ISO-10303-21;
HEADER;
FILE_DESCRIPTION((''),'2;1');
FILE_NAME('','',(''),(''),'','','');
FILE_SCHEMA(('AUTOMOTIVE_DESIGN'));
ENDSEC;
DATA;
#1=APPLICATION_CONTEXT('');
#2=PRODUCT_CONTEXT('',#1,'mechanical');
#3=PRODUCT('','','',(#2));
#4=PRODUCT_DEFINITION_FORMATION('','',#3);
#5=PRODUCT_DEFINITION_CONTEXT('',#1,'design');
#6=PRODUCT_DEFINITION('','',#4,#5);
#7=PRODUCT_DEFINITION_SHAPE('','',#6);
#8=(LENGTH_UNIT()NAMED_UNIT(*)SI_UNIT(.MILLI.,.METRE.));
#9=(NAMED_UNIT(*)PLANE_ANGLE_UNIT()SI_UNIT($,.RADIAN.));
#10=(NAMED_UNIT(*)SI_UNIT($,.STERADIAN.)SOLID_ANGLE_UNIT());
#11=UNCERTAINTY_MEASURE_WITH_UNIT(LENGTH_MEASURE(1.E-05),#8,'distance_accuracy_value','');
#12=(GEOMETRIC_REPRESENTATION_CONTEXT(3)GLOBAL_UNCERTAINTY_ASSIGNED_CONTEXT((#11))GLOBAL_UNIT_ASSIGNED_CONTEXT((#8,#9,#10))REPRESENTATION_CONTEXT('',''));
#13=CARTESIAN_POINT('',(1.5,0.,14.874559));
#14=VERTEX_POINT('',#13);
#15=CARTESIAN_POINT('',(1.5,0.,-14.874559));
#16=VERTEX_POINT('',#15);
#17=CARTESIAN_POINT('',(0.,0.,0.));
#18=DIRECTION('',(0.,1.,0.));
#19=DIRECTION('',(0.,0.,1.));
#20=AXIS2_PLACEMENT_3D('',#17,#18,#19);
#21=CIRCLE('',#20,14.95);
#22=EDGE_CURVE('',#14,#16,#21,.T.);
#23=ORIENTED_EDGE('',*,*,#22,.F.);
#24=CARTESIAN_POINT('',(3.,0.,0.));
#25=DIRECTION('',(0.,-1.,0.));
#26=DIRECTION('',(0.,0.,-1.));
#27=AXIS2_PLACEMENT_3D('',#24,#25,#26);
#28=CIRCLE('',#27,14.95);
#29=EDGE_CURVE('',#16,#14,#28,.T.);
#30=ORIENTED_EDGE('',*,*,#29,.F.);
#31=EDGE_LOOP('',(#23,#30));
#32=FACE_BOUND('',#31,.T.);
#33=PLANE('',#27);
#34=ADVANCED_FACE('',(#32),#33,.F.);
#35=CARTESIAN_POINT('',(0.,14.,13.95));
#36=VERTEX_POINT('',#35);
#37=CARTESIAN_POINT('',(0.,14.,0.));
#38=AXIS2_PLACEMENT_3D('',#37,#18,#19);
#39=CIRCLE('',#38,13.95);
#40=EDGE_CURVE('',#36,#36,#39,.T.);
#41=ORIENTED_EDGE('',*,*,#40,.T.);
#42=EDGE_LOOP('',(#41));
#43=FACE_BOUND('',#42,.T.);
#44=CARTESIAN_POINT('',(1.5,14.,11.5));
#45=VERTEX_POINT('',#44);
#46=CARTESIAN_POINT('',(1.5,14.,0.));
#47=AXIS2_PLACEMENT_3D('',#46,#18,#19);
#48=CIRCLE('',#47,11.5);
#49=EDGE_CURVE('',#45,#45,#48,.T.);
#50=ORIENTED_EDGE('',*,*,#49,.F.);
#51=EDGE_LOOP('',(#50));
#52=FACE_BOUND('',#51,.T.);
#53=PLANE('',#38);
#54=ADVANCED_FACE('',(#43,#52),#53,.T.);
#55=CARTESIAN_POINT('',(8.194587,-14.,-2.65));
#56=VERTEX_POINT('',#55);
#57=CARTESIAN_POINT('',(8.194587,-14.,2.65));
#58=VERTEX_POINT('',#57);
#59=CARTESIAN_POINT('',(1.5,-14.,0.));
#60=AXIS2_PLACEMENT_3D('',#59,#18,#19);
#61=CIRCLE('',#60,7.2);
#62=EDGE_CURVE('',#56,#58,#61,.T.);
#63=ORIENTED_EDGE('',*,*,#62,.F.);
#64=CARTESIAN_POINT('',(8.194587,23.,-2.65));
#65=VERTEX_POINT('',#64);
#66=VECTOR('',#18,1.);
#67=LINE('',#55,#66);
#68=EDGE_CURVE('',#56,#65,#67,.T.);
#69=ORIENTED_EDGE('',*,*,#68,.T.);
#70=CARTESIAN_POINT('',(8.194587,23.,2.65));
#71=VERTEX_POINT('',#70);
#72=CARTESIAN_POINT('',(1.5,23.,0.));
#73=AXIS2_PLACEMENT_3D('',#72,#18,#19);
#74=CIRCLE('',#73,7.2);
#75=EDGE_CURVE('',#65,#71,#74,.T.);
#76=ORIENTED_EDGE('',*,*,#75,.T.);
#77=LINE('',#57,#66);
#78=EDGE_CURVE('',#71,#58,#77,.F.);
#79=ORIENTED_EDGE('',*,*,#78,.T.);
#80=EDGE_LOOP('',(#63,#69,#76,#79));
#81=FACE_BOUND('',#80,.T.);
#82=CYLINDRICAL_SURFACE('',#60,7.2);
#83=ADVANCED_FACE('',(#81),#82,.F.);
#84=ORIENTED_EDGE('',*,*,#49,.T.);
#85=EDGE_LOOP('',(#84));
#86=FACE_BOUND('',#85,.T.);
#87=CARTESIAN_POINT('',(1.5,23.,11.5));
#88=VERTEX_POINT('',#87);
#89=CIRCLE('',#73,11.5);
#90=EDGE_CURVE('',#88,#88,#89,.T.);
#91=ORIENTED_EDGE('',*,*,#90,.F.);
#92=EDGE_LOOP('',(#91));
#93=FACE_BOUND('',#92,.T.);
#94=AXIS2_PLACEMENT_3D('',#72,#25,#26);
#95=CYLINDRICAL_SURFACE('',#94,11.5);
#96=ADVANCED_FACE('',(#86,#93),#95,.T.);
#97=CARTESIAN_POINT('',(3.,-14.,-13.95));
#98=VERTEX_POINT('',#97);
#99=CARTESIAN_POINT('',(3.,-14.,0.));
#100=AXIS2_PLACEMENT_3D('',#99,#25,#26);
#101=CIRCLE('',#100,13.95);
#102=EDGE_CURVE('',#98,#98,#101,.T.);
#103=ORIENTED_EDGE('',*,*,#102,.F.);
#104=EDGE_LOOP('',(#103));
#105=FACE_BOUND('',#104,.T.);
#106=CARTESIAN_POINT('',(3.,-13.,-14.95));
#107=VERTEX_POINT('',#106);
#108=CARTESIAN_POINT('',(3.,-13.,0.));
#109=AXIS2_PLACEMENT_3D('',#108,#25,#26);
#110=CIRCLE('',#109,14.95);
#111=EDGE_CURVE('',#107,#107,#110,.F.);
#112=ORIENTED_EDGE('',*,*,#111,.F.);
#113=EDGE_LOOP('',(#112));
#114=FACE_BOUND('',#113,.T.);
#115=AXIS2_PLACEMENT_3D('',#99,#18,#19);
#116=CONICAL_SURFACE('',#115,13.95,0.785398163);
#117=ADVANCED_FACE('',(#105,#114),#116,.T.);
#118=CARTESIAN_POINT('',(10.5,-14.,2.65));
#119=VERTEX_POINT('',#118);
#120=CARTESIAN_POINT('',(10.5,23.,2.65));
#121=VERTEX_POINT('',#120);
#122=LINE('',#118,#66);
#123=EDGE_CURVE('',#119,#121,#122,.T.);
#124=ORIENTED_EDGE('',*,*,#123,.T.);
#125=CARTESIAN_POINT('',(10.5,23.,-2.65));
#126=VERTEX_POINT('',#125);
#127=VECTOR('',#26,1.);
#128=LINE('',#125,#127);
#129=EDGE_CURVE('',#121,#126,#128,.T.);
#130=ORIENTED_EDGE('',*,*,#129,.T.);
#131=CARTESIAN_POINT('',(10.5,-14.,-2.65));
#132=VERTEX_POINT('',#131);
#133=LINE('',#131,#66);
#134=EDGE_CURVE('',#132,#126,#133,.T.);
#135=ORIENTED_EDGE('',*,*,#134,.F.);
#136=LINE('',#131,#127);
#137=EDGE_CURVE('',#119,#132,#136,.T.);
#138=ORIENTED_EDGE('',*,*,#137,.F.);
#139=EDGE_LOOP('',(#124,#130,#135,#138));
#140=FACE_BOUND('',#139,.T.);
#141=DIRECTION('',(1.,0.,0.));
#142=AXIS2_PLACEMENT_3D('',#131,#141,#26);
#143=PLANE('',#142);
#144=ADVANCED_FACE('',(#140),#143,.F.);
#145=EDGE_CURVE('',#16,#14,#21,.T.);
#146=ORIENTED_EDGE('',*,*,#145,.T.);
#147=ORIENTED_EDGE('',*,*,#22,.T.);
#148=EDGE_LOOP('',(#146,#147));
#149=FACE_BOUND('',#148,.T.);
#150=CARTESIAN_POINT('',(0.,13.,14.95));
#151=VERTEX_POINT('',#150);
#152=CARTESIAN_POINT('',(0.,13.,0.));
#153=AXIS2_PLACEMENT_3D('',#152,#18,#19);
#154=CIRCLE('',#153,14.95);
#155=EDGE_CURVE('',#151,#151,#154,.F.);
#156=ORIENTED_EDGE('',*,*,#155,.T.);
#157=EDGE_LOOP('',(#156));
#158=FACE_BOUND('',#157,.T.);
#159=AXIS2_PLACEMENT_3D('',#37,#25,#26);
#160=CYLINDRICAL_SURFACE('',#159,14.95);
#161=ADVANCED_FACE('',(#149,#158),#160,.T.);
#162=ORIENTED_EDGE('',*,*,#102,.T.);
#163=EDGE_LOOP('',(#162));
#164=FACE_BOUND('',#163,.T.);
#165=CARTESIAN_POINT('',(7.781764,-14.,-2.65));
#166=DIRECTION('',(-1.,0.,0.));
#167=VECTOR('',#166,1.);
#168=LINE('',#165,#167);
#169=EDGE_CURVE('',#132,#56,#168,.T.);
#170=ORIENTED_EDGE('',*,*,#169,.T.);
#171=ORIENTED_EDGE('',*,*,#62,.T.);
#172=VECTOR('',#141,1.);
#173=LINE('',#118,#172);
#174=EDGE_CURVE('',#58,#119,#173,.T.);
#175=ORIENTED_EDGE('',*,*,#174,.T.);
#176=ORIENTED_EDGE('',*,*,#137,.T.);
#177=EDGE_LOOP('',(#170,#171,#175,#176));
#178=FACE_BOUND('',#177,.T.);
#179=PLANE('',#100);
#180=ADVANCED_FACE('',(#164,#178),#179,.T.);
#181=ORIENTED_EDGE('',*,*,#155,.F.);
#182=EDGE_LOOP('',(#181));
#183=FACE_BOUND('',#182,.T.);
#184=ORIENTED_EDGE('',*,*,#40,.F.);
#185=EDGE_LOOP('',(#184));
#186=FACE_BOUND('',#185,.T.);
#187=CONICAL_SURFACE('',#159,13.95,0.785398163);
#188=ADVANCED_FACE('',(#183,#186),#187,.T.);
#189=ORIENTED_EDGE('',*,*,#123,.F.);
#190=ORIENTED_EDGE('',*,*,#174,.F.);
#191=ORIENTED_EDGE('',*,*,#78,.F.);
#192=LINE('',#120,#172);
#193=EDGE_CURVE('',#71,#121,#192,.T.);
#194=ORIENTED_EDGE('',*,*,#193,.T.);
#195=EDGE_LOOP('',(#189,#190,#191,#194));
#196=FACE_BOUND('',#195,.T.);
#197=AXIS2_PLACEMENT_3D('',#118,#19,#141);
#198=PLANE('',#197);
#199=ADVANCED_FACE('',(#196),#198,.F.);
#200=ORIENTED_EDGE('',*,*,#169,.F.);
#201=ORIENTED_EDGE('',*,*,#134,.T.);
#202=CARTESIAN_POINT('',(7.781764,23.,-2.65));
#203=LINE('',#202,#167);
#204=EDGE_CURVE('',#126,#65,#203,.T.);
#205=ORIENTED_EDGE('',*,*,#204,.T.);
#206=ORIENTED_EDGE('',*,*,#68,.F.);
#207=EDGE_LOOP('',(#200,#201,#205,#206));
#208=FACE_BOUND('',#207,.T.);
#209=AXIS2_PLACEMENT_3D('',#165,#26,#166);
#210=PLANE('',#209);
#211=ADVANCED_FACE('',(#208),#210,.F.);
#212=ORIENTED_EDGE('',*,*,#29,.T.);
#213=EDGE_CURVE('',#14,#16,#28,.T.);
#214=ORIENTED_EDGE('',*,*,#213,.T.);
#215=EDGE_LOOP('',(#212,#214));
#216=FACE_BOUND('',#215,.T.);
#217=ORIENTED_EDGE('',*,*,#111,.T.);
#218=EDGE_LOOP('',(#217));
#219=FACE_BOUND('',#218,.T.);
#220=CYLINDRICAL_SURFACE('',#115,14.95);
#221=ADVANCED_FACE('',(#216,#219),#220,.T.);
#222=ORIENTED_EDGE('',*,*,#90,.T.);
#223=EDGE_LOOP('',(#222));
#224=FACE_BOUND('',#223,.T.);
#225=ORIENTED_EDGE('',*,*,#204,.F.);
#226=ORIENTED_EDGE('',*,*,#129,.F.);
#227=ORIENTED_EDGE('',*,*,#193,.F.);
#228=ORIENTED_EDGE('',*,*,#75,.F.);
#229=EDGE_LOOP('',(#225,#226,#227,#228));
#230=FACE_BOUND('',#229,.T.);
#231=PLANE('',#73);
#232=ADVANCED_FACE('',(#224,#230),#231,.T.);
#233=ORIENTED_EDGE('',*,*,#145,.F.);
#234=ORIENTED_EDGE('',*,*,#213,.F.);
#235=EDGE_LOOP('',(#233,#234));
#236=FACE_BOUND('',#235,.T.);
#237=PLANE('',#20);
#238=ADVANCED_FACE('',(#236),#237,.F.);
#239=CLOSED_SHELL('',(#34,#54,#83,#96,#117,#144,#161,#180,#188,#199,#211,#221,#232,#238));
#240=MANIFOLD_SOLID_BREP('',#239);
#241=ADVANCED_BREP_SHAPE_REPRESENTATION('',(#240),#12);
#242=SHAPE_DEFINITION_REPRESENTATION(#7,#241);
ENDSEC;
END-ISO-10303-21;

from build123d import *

# Parameters (mm, degrees)
SKETCH1_R               = 14.95
BOSS_EXTRUDE1_DEPTH     = 14
SKETCH3_R               = 14.95
BOSS_EXTRUDE2_DEPTH     = 14
CHAMFER1_SIZE           = 1
SKETCH11_R              = 11.5
BOSS_EXTRUDE3_DEPTH     = 9
CUT_EXTRUDE1_DEPTH      = 37.465120321
CUT_EXTRUDE1_DEPTH_BACK = 37.465120321
SKETCH9_R               = 7.2
CUT_EXTRUDE2_DEPTH      = 37.465120321
CUT_EXTRUDE2_DEPTH_BACK = 37.465120321
SKETCH10_W              = 2.718236021
SKETCH10_H              = 5.3


with BuildPart() as part:
    # Sketch1 → Boss-Extrude1 (new body)
    with BuildSketch(Plane(origin=(0, 0, 0), x_dir=(1, 0, 0), z_dir=(0, 1, 0))):
        with Locations(Location((0, 0, 0), (0, 0, 270))):
            Circle(SKETCH1_R)
    extrude(amount=BOSS_EXTRUDE1_DEPTH)

    # Sketch3 → Boss-Extrude2 (add)
    with BuildSketch(Plane.XZ):
        with Locations(Location((3, 0, 0), (0, 0, 95.758429808))):
            Circle(SKETCH3_R)
    extrude(amount=BOSS_EXTRUDE2_DEPTH)

    # Chamfer1
    chamfer1_edges = [part.edges().sort_by_distance(p)[0] for p in [
        (0, 14, -14.95),
        (4.5, -14, -14.874558817),
    ]]
    chamfer(chamfer1_edges, length=CHAMFER1_SIZE)

    # Sketch11 → Boss-Extrude3 (add)
    with BuildSketch(Plane(origin=(0, 14, 0), x_dir=(1, 0, 0), z_dir=(0, 1, 0))):
        with Locations(Location((1.5, 0, 0), (0, 0, 270))):
            Circle(SKETCH11_R)
    extrude(amount=BOSS_EXTRUDE3_DEPTH)

    # Sketch9 → Cut-Extrude1 (cut, two sides: drawn at the far end of the back side and taken through both)
    with BuildSketch(Plane(origin=(0, 14, 0), x_dir=(1, 0, 0), z_dir=(0, 1, 0)).offset(-CUT_EXTRUDE1_DEPTH_BACK)):
        with Locations(Location((1.5, 0, 0), (0, 0, 270))):
            Circle(SKETCH9_R)
    extrude(amount=CUT_EXTRUDE1_DEPTH + CUT_EXTRUDE1_DEPTH_BACK, mode=Mode.SUBTRACT)

    # Sketch10 → Cut-Extrude2 (cut, two sides: drawn at the far end of the back side and taken through both)
    with BuildSketch(Plane(origin=(0, 14, 0), x_dir=(1, 0, 0), z_dir=(0, 1, 0)).offset(-CUT_EXTRUDE2_DEPTH_BACK)):
        with Locations((9.14088199, 0)):
            Rectangle(SKETCH10_W, SKETCH10_H)
    extrude(amount=CUT_EXTRUDE2_DEPTH + CUT_EXTRUDE2_DEPTH_BACK, mode=Mode.SUBTRACT)


solid = part.part
